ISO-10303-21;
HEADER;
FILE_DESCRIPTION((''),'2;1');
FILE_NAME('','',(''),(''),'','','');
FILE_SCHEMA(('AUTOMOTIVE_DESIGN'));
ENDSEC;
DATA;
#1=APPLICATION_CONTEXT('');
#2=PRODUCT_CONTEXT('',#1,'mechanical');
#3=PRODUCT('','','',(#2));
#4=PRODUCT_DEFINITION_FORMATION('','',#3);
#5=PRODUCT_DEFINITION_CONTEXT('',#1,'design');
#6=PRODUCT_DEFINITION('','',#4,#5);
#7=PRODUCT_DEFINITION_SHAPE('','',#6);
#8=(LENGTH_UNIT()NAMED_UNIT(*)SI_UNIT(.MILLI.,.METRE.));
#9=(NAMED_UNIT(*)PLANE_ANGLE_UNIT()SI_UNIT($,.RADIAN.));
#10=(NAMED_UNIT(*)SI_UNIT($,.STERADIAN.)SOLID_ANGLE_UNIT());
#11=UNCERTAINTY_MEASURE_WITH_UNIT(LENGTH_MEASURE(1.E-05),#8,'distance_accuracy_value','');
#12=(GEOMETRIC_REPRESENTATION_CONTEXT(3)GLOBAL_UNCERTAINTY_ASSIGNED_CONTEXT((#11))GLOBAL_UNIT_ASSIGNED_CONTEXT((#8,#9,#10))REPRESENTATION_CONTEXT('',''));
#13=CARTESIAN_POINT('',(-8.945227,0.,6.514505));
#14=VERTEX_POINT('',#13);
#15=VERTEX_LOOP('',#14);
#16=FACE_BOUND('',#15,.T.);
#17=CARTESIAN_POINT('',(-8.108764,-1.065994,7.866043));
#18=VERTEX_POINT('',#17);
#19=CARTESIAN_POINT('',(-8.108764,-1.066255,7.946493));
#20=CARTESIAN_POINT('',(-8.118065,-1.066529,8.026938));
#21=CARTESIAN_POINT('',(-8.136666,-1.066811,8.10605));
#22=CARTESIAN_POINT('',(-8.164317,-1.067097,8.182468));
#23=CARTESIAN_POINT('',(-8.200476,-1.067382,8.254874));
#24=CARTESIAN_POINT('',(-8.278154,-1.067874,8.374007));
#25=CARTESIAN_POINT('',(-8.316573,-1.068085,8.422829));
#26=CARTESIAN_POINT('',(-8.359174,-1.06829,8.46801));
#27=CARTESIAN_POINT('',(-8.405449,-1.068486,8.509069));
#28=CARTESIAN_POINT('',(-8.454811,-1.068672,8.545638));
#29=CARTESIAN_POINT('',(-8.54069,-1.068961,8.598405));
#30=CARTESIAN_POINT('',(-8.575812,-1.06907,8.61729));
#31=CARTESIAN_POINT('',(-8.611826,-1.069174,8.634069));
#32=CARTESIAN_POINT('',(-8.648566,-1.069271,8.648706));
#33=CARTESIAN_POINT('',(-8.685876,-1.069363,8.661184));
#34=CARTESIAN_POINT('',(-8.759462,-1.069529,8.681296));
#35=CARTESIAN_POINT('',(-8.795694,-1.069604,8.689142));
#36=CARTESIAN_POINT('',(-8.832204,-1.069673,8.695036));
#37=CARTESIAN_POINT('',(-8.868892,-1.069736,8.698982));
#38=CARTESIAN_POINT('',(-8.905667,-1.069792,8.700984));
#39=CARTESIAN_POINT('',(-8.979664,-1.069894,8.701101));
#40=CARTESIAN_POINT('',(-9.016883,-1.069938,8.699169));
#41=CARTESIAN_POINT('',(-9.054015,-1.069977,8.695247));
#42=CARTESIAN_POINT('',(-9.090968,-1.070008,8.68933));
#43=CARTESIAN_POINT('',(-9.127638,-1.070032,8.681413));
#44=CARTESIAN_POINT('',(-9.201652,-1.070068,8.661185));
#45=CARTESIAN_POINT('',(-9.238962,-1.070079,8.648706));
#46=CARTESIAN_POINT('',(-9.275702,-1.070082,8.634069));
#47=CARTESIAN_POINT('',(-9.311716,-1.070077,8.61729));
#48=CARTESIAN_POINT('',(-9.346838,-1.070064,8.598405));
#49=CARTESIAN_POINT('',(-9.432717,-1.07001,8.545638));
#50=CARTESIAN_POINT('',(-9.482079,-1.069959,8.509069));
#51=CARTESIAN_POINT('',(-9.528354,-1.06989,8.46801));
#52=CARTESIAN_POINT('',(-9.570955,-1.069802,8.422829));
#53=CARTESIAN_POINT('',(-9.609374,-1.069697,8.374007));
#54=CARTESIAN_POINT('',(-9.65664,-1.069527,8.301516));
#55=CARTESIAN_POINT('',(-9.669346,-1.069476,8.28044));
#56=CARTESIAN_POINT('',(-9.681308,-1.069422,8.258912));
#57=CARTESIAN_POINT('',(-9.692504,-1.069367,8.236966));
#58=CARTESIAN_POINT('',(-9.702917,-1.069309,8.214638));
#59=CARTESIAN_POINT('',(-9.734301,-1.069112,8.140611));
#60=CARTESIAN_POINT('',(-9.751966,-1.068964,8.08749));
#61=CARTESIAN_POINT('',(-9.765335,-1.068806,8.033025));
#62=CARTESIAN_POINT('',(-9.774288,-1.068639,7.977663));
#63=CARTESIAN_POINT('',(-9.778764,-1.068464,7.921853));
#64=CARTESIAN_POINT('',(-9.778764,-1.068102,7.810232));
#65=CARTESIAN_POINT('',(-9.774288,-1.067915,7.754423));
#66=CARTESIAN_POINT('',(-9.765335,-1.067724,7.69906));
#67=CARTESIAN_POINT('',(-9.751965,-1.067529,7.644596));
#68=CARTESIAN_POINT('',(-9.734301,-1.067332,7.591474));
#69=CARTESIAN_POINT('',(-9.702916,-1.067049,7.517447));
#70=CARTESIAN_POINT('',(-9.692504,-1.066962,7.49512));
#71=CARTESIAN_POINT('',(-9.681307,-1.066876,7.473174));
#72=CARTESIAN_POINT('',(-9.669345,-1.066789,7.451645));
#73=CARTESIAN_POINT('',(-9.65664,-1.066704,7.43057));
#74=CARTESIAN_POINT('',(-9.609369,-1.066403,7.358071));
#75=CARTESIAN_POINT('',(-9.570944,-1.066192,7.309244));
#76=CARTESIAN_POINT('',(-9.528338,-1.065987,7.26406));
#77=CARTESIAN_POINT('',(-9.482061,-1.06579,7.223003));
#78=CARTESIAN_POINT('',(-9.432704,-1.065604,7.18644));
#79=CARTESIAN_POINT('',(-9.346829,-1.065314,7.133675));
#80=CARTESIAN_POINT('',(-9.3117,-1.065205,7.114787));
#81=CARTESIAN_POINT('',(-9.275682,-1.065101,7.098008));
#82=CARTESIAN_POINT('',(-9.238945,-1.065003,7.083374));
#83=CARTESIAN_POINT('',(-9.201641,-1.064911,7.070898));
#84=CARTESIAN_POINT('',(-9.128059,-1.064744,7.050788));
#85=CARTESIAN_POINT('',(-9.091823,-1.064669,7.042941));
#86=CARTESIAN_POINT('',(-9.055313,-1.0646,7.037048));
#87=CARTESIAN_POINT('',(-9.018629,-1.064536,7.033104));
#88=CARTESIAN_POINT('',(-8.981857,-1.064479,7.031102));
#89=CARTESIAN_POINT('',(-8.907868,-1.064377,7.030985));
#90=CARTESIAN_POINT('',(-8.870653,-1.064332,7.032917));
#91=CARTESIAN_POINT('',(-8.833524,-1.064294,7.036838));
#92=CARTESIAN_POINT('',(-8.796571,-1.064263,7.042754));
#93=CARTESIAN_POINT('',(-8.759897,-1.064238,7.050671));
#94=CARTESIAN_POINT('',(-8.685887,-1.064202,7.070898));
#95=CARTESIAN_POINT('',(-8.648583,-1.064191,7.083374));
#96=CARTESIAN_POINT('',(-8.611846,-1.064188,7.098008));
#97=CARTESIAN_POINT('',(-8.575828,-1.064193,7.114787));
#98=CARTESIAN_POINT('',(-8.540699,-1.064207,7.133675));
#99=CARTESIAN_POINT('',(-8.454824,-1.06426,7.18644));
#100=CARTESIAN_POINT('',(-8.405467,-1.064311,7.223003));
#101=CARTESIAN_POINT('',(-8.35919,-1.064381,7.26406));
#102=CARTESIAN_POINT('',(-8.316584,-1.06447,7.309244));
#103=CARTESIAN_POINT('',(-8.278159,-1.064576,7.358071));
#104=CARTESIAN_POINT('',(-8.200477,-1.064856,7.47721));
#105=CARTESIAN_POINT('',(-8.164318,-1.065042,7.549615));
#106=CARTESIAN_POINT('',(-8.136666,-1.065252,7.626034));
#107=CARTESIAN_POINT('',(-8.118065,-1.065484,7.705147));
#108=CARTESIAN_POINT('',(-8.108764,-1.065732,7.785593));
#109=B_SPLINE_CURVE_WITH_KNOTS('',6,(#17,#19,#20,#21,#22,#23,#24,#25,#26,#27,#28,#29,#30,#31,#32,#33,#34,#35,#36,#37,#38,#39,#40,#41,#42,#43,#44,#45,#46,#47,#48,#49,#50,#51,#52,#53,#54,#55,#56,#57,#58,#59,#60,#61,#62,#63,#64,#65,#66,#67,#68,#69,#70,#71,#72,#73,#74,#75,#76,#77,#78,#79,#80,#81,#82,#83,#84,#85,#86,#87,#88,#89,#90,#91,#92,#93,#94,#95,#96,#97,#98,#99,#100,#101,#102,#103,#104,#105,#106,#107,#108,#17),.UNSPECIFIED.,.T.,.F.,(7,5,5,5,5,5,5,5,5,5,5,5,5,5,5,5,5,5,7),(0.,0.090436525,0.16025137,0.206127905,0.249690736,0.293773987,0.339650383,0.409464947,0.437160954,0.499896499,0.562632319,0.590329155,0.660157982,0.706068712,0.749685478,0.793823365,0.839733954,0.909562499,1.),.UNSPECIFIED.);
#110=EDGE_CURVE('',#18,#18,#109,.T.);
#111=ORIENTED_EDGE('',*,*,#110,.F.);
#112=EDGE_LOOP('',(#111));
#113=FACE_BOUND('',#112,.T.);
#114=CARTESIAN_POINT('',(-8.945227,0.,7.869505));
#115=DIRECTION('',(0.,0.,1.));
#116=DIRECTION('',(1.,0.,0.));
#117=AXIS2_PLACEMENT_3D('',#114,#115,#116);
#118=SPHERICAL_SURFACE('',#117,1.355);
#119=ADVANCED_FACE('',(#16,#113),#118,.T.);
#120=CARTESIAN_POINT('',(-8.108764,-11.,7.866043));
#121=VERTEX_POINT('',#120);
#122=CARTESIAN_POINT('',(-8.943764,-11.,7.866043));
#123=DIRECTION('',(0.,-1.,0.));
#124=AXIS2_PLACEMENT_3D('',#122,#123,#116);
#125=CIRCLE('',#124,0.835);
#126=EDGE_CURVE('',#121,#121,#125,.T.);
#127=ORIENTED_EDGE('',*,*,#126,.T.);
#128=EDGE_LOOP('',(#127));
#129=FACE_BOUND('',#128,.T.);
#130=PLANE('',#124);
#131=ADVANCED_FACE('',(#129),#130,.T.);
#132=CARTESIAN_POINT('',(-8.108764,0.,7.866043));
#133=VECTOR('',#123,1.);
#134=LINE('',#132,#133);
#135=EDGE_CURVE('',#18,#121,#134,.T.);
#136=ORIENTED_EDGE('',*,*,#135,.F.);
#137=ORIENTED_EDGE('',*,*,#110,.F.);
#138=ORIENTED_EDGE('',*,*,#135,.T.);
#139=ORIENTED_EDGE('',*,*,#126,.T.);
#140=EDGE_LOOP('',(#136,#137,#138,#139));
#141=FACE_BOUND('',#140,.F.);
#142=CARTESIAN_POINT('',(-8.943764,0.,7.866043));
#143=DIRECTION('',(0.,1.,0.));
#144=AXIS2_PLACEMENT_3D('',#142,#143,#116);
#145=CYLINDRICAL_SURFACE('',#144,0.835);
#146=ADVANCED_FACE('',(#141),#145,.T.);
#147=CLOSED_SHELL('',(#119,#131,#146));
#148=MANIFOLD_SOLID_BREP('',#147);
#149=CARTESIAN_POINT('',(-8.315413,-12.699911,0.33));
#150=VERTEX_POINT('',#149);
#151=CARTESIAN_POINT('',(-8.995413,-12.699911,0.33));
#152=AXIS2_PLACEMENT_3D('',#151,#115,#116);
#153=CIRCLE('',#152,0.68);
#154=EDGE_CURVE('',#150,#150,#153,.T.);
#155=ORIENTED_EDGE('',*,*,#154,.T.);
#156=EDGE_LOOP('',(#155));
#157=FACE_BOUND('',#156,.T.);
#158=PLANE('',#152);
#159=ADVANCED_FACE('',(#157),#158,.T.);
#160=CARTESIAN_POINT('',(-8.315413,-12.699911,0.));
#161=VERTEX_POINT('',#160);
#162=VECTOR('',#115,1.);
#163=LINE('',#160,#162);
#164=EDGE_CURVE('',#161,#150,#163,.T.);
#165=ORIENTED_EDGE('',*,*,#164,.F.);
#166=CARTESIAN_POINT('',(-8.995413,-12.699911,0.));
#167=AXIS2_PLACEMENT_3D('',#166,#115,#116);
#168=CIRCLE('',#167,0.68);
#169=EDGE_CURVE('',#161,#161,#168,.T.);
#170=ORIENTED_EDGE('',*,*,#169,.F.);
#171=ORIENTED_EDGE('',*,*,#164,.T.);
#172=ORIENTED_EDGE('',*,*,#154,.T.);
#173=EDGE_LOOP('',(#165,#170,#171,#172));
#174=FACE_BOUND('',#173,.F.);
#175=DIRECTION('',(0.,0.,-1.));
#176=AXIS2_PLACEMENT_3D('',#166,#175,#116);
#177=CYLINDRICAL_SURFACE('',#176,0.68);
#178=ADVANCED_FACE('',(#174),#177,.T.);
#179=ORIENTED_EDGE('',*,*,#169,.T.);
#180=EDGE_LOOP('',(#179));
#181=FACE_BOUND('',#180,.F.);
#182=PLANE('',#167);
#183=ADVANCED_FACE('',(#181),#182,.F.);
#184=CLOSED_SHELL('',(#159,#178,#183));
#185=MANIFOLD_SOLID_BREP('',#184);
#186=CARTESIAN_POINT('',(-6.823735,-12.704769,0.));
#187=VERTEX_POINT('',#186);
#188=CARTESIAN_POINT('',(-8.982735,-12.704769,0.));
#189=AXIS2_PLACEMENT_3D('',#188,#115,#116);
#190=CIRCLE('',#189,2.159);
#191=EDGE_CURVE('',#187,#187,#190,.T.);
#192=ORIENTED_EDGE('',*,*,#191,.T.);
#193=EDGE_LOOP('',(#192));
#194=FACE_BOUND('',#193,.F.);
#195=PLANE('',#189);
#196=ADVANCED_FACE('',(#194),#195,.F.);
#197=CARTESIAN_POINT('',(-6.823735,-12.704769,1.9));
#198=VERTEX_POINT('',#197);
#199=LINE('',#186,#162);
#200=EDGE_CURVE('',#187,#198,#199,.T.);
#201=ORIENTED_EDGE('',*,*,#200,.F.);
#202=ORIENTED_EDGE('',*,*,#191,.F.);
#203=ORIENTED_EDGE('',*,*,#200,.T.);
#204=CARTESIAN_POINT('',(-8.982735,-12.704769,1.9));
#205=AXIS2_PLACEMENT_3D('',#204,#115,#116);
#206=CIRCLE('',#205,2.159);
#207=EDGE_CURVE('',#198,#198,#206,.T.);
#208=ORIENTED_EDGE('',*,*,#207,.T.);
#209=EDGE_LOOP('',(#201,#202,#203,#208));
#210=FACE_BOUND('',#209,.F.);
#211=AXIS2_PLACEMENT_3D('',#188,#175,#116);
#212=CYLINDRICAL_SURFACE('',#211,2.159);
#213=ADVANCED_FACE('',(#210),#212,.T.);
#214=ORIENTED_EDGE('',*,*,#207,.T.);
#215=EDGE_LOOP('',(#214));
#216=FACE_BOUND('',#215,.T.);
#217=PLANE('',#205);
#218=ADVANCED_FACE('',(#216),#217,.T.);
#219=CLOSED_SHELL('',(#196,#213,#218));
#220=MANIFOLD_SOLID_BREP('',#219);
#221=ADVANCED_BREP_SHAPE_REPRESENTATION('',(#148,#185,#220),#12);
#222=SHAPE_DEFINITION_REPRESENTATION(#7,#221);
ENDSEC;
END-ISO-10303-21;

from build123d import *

# Parameters (mm, degrees)
F0_R     = 0.835
F1_DEPTH = 11
F4_R     = 2.159
F5_DEPTH = 1.9
F6_R     = 0.68
F7_DEPTH = 0.33


with BuildPart() as f1:
    # F0 (on Front) → F1 (new body)
    with BuildSketch(Plane.XZ):
        with Locations((-8.943764, 7.866043)):
            Circle(F0_R)
    extrude(amount=F1_DEPTH)

    # F2 (on Front) → F3 (revolve)
    with BuildSketch(Plane.XZ):
        with BuildLine():
            Line((-8.945227, 9.224505), (-8.945227, 6.514505))
            ThreePointArc((-8.945227, 6.514505), (-7.590227, 7.869505), (-8.945227, 9.224505))
        make_face()
    revolve(axis=Axis((-8.945227, 0, 7.869505), (0, 0, 1)))


with BuildPart() as f5:
    # F4 (on Top) → F5 (new body)
    with BuildSketch(Plane.XY):
        with Locations((-8.982735, -12.704769)):
            Circle(F4_R)
    extrude(amount=F5_DEPTH)


with BuildPart() as f7:
    # F6 (on Top) → F7 (new body)
    with BuildSketch(Plane.XY):
        with Locations((-8.995413, -12.699911)):
            Circle(F6_R)
    extrude(amount=F7_DEPTH)


solid = Compound([f1.part, f5.part, f7.part])
